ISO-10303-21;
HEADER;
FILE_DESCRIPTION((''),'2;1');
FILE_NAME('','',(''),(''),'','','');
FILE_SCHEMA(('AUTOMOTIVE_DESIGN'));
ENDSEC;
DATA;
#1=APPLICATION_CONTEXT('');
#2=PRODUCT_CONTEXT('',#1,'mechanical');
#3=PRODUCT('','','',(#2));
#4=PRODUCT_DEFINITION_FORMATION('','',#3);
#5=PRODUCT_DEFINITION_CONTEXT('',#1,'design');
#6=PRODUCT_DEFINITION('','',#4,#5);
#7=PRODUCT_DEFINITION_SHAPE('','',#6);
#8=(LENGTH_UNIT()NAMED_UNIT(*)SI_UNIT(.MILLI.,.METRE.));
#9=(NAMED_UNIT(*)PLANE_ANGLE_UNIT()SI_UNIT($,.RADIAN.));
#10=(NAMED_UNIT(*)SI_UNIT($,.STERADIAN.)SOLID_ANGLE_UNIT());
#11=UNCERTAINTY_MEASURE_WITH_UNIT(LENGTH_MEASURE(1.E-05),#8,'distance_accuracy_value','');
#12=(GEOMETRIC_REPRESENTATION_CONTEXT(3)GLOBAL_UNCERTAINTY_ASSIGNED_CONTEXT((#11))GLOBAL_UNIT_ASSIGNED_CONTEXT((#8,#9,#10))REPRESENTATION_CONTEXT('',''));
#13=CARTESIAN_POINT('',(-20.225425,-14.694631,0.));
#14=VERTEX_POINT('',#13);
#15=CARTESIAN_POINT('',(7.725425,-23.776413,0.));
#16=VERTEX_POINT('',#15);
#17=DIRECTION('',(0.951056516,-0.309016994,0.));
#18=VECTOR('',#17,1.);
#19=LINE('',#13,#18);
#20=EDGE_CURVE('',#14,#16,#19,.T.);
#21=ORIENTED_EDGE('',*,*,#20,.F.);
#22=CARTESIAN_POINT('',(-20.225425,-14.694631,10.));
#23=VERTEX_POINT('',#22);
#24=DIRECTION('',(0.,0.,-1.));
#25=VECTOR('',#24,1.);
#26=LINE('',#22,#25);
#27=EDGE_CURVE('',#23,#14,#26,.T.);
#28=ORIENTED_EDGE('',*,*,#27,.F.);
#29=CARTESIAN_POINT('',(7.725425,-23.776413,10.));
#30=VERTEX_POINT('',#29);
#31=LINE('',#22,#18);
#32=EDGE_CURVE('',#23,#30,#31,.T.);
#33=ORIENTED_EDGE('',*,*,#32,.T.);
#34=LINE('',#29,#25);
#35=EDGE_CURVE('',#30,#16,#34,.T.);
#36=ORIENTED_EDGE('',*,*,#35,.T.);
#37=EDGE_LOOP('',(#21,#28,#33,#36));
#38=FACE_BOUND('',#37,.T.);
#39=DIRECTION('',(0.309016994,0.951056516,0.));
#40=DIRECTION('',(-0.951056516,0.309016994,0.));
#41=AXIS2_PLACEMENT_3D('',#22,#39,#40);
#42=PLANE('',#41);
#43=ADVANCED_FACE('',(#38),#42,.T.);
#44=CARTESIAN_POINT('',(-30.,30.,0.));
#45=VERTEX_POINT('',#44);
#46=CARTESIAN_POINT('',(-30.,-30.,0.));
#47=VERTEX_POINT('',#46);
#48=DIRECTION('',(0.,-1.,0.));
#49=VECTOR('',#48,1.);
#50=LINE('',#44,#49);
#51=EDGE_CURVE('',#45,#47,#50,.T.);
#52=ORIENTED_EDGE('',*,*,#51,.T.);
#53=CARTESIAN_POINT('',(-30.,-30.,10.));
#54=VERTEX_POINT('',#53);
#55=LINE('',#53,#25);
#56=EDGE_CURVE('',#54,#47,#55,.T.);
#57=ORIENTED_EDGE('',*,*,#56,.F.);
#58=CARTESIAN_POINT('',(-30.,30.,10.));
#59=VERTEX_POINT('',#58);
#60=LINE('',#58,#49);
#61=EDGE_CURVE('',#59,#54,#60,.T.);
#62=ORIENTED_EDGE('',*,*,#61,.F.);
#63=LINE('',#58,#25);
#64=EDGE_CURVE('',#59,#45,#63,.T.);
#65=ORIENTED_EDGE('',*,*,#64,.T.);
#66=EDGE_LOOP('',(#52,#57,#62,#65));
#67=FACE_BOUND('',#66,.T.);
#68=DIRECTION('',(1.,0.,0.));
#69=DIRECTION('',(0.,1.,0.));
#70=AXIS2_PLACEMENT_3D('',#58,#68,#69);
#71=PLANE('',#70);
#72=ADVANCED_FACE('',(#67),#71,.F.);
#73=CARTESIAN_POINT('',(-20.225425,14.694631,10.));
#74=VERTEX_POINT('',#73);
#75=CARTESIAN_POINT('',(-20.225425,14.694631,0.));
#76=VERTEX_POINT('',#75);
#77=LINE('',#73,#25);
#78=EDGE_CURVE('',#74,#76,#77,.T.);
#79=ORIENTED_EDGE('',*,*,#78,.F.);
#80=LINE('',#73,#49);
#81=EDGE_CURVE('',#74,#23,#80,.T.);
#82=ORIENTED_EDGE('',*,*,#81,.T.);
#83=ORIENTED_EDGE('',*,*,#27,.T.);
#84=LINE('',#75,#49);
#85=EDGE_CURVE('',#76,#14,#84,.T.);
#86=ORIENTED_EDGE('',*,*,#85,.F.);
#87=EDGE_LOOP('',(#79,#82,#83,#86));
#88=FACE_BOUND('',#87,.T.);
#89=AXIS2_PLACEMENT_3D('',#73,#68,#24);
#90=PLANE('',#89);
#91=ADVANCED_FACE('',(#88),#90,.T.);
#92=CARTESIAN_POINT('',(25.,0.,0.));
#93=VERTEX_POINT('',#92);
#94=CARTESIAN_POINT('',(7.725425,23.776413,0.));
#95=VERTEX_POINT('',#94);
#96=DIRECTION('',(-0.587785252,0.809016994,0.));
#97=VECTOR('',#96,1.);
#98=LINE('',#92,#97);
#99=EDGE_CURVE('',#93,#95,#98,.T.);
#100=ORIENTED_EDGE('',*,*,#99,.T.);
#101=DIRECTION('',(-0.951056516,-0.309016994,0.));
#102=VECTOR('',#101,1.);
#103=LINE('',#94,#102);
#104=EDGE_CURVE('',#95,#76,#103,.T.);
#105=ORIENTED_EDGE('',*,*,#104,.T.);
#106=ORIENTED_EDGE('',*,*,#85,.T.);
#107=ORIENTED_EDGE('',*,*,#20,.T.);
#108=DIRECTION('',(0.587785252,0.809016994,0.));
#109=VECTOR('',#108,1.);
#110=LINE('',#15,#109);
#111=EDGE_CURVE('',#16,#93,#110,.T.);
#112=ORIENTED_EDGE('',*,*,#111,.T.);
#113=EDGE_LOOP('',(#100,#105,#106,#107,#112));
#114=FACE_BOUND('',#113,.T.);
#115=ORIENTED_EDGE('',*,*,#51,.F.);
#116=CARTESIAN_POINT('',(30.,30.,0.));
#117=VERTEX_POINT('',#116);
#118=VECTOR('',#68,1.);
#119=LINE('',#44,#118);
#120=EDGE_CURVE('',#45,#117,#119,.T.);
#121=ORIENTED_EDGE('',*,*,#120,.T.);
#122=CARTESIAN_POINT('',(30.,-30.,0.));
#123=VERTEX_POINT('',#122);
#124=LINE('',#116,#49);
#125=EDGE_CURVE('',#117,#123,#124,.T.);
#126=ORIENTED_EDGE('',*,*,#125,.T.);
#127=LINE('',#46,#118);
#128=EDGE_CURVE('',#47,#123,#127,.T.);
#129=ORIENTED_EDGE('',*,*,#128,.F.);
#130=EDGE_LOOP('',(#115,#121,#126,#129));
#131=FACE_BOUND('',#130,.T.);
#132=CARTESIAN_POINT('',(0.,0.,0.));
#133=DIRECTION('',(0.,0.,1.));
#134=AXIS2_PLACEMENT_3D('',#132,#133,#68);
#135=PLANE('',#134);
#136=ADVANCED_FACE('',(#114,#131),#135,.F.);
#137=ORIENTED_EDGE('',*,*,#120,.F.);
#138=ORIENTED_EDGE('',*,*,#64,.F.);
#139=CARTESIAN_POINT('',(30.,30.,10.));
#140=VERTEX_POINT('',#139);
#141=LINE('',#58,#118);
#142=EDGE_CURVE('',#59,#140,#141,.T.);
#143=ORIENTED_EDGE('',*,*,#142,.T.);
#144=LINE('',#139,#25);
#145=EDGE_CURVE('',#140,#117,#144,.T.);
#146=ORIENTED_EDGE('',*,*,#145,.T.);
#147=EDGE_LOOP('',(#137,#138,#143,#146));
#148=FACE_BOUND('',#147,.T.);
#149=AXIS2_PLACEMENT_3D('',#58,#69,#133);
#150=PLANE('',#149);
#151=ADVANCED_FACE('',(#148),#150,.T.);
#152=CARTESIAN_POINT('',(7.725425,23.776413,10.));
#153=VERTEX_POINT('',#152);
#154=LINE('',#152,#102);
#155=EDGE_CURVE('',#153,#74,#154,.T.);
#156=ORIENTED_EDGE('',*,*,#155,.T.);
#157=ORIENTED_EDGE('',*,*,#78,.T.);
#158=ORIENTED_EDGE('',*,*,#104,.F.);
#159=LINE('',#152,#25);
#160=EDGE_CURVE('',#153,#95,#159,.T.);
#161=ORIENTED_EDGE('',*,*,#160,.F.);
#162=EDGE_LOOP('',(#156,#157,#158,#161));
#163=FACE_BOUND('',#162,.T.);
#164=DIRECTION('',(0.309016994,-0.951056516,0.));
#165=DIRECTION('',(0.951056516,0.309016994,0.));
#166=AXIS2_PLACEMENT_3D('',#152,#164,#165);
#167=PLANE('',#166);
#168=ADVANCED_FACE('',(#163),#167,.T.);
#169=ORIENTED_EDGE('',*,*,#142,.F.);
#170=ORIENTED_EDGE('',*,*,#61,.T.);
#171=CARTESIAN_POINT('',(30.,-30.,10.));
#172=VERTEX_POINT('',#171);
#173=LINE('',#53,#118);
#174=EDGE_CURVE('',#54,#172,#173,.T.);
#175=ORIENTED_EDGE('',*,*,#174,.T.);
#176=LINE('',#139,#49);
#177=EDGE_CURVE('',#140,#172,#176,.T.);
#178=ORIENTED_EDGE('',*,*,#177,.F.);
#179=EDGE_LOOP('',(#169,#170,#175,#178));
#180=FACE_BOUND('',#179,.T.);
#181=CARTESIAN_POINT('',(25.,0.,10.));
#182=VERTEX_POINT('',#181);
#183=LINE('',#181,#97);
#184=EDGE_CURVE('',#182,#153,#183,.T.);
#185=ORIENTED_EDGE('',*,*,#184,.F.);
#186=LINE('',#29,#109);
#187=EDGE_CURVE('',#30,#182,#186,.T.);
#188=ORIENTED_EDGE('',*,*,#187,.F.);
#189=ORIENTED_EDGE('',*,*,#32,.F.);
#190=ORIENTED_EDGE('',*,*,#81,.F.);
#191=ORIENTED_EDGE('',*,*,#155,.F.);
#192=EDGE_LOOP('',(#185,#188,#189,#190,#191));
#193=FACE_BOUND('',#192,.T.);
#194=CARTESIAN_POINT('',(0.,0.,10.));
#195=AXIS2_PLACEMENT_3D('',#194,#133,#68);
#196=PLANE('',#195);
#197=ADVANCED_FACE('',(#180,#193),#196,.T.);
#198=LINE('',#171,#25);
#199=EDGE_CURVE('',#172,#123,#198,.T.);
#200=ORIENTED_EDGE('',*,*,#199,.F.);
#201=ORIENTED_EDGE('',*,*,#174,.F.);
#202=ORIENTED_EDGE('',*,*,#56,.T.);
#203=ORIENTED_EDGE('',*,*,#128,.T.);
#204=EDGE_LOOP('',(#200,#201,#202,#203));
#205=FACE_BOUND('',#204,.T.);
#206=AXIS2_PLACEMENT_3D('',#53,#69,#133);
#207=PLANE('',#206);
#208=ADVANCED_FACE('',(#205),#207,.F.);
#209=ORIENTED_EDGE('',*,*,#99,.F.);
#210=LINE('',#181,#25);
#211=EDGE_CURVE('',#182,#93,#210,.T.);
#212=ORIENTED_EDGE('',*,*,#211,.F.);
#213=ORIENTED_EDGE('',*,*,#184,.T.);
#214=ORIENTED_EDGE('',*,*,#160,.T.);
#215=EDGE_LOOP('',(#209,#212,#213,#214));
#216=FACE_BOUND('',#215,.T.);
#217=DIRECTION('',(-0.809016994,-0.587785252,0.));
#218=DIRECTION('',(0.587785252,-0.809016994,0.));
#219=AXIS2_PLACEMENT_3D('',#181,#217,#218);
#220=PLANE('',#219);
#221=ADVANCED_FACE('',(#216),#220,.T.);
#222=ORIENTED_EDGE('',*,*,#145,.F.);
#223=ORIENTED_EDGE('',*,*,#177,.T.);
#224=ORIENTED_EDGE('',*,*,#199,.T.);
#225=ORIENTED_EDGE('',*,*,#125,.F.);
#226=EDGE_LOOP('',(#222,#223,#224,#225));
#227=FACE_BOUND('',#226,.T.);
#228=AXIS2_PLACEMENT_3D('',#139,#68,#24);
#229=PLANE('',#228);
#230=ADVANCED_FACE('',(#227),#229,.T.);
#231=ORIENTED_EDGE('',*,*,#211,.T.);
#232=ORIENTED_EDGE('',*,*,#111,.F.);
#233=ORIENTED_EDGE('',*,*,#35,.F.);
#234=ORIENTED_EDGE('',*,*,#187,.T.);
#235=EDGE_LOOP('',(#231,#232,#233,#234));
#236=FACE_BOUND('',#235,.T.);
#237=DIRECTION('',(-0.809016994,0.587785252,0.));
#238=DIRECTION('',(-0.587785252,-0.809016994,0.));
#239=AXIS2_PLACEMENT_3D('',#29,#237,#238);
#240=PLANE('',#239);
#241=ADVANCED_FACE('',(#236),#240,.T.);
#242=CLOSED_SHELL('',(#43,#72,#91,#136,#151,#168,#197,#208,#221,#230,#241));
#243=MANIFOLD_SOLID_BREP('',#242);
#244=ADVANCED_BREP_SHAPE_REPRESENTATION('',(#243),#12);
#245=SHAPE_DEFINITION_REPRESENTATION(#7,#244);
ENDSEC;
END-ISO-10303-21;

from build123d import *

# Parameters (mm, degrees)
SCHIZZO1_W                   = 60
SCHIZZO1_H                   = 60
ESTRUSIONE_ESTRUSIONE1_DEPTH = 10


with BuildPart() as part:
    # Schizzo1 → Estrusione-Estrusione1 (new body)
    with BuildSketch(Plane.XY):
        Rectangle(SCHIZZO1_W, SCHIZZO1_H)
        Polygon((7.725424859, -23.776412907), (25, 0), (7.725424859, 23.776412907), (-20.225424859, 14.694631307), (-20.225424859, -14.694631307), align=None, mode=Mode.SUBTRACT)
    extrude(amount=ESTRUSIONE_ESTRUSIONE1_DEPTH)


solid = part.part
